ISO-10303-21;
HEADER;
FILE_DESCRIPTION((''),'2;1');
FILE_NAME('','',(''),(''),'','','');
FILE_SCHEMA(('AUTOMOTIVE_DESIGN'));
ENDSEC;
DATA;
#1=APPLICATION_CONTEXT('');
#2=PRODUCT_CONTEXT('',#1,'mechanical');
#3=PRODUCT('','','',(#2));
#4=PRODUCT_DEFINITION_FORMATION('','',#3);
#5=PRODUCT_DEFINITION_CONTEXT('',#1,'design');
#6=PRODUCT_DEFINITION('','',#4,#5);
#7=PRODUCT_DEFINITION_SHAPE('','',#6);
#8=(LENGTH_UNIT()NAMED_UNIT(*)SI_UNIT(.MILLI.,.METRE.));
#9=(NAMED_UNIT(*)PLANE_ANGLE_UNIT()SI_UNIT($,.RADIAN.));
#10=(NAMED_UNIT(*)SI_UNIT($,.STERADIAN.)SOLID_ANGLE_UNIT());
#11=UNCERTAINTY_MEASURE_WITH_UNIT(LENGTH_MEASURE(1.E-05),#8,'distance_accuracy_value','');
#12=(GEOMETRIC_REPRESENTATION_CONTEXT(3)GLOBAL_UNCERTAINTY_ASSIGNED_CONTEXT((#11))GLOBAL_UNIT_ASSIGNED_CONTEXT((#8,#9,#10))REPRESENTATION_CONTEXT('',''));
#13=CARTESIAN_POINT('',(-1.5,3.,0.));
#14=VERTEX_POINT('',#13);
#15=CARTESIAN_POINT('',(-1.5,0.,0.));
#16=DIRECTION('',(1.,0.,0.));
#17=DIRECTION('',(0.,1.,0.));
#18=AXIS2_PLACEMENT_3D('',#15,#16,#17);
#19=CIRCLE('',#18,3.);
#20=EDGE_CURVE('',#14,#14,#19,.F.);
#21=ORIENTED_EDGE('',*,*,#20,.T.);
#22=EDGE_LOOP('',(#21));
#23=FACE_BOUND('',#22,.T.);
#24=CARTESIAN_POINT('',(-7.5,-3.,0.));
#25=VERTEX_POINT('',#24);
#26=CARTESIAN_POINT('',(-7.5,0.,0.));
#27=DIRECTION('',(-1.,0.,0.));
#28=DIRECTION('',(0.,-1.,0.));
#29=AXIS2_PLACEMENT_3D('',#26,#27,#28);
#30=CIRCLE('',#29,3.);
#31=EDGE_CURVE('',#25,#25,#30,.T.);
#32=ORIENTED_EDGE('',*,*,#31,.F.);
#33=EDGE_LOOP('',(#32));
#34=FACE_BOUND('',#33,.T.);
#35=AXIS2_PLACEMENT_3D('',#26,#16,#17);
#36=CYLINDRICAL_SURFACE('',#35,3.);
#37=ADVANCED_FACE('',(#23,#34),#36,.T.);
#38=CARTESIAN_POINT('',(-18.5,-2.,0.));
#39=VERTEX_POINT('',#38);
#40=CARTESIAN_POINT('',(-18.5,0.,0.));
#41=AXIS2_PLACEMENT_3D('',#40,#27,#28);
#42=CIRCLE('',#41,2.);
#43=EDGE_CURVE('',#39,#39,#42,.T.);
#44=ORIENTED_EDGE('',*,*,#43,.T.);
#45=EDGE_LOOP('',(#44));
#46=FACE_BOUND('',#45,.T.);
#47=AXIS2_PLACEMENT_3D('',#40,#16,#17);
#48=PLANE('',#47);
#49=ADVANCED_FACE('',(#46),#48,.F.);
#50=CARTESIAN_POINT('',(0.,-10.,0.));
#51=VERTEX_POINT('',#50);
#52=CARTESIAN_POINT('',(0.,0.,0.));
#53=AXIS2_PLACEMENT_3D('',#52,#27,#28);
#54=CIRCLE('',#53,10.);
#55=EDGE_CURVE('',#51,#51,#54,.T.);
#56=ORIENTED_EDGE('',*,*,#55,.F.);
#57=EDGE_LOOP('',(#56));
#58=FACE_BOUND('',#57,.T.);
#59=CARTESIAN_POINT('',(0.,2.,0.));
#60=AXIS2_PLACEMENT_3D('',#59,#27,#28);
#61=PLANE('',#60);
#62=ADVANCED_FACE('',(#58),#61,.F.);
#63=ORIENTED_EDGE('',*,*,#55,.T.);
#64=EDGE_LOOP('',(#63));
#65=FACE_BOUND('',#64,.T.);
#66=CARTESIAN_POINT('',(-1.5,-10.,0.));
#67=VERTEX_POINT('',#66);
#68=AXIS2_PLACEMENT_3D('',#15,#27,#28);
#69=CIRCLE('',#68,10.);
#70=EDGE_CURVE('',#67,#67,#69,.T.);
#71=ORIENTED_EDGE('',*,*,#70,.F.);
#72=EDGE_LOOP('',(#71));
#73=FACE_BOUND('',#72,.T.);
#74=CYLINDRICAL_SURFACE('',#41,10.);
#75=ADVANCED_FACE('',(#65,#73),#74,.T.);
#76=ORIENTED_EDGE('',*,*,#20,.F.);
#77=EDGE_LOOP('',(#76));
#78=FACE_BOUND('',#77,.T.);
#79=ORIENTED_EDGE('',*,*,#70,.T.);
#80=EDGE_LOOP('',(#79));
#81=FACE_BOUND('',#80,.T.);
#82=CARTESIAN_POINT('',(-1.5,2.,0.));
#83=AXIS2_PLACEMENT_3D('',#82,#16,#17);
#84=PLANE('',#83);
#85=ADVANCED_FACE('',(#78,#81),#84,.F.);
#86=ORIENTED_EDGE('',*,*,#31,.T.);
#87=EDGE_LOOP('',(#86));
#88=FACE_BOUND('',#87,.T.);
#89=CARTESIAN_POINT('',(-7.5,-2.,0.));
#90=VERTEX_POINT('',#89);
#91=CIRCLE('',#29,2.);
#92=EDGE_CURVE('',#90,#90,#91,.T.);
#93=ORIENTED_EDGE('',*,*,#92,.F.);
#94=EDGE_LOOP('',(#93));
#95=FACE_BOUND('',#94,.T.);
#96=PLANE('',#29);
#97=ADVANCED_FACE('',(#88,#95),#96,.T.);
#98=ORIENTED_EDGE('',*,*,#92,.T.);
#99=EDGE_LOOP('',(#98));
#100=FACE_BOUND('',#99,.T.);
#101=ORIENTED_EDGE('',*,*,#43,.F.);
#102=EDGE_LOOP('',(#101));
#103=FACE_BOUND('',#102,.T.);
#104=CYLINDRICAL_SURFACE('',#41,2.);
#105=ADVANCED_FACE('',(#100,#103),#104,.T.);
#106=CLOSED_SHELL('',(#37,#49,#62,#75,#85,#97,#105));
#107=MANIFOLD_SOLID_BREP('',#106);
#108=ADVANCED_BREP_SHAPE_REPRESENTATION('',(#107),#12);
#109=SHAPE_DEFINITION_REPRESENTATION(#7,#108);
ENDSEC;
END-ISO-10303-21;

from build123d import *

# Parameters (mm, degrees)
SKETCH_2_R      = 3
EXTRUDE_1_DEPTH = 6


with BuildPart() as part:
    # 草图1 → 旋转1 (revolve)
    with BuildSketch(Plane.XY):
        Polygon((-18.5, 0), (-18.5, 2), (-1.5, 2), (-1.5, 10), (0, 10), (0, 2), (0, 0), align=None)
    revolve(axis=Axis((-18.5, 0, 0), (1, 0, 0)))

    # 草图2 → 凸台-拉伸1 (add)
    with BuildSketch(Plane.ZY.offset(1.5)):
        Circle(SKETCH_2_R)
    extrude(amount=EXTRUDE_1_DEPTH)


solid = part.part
